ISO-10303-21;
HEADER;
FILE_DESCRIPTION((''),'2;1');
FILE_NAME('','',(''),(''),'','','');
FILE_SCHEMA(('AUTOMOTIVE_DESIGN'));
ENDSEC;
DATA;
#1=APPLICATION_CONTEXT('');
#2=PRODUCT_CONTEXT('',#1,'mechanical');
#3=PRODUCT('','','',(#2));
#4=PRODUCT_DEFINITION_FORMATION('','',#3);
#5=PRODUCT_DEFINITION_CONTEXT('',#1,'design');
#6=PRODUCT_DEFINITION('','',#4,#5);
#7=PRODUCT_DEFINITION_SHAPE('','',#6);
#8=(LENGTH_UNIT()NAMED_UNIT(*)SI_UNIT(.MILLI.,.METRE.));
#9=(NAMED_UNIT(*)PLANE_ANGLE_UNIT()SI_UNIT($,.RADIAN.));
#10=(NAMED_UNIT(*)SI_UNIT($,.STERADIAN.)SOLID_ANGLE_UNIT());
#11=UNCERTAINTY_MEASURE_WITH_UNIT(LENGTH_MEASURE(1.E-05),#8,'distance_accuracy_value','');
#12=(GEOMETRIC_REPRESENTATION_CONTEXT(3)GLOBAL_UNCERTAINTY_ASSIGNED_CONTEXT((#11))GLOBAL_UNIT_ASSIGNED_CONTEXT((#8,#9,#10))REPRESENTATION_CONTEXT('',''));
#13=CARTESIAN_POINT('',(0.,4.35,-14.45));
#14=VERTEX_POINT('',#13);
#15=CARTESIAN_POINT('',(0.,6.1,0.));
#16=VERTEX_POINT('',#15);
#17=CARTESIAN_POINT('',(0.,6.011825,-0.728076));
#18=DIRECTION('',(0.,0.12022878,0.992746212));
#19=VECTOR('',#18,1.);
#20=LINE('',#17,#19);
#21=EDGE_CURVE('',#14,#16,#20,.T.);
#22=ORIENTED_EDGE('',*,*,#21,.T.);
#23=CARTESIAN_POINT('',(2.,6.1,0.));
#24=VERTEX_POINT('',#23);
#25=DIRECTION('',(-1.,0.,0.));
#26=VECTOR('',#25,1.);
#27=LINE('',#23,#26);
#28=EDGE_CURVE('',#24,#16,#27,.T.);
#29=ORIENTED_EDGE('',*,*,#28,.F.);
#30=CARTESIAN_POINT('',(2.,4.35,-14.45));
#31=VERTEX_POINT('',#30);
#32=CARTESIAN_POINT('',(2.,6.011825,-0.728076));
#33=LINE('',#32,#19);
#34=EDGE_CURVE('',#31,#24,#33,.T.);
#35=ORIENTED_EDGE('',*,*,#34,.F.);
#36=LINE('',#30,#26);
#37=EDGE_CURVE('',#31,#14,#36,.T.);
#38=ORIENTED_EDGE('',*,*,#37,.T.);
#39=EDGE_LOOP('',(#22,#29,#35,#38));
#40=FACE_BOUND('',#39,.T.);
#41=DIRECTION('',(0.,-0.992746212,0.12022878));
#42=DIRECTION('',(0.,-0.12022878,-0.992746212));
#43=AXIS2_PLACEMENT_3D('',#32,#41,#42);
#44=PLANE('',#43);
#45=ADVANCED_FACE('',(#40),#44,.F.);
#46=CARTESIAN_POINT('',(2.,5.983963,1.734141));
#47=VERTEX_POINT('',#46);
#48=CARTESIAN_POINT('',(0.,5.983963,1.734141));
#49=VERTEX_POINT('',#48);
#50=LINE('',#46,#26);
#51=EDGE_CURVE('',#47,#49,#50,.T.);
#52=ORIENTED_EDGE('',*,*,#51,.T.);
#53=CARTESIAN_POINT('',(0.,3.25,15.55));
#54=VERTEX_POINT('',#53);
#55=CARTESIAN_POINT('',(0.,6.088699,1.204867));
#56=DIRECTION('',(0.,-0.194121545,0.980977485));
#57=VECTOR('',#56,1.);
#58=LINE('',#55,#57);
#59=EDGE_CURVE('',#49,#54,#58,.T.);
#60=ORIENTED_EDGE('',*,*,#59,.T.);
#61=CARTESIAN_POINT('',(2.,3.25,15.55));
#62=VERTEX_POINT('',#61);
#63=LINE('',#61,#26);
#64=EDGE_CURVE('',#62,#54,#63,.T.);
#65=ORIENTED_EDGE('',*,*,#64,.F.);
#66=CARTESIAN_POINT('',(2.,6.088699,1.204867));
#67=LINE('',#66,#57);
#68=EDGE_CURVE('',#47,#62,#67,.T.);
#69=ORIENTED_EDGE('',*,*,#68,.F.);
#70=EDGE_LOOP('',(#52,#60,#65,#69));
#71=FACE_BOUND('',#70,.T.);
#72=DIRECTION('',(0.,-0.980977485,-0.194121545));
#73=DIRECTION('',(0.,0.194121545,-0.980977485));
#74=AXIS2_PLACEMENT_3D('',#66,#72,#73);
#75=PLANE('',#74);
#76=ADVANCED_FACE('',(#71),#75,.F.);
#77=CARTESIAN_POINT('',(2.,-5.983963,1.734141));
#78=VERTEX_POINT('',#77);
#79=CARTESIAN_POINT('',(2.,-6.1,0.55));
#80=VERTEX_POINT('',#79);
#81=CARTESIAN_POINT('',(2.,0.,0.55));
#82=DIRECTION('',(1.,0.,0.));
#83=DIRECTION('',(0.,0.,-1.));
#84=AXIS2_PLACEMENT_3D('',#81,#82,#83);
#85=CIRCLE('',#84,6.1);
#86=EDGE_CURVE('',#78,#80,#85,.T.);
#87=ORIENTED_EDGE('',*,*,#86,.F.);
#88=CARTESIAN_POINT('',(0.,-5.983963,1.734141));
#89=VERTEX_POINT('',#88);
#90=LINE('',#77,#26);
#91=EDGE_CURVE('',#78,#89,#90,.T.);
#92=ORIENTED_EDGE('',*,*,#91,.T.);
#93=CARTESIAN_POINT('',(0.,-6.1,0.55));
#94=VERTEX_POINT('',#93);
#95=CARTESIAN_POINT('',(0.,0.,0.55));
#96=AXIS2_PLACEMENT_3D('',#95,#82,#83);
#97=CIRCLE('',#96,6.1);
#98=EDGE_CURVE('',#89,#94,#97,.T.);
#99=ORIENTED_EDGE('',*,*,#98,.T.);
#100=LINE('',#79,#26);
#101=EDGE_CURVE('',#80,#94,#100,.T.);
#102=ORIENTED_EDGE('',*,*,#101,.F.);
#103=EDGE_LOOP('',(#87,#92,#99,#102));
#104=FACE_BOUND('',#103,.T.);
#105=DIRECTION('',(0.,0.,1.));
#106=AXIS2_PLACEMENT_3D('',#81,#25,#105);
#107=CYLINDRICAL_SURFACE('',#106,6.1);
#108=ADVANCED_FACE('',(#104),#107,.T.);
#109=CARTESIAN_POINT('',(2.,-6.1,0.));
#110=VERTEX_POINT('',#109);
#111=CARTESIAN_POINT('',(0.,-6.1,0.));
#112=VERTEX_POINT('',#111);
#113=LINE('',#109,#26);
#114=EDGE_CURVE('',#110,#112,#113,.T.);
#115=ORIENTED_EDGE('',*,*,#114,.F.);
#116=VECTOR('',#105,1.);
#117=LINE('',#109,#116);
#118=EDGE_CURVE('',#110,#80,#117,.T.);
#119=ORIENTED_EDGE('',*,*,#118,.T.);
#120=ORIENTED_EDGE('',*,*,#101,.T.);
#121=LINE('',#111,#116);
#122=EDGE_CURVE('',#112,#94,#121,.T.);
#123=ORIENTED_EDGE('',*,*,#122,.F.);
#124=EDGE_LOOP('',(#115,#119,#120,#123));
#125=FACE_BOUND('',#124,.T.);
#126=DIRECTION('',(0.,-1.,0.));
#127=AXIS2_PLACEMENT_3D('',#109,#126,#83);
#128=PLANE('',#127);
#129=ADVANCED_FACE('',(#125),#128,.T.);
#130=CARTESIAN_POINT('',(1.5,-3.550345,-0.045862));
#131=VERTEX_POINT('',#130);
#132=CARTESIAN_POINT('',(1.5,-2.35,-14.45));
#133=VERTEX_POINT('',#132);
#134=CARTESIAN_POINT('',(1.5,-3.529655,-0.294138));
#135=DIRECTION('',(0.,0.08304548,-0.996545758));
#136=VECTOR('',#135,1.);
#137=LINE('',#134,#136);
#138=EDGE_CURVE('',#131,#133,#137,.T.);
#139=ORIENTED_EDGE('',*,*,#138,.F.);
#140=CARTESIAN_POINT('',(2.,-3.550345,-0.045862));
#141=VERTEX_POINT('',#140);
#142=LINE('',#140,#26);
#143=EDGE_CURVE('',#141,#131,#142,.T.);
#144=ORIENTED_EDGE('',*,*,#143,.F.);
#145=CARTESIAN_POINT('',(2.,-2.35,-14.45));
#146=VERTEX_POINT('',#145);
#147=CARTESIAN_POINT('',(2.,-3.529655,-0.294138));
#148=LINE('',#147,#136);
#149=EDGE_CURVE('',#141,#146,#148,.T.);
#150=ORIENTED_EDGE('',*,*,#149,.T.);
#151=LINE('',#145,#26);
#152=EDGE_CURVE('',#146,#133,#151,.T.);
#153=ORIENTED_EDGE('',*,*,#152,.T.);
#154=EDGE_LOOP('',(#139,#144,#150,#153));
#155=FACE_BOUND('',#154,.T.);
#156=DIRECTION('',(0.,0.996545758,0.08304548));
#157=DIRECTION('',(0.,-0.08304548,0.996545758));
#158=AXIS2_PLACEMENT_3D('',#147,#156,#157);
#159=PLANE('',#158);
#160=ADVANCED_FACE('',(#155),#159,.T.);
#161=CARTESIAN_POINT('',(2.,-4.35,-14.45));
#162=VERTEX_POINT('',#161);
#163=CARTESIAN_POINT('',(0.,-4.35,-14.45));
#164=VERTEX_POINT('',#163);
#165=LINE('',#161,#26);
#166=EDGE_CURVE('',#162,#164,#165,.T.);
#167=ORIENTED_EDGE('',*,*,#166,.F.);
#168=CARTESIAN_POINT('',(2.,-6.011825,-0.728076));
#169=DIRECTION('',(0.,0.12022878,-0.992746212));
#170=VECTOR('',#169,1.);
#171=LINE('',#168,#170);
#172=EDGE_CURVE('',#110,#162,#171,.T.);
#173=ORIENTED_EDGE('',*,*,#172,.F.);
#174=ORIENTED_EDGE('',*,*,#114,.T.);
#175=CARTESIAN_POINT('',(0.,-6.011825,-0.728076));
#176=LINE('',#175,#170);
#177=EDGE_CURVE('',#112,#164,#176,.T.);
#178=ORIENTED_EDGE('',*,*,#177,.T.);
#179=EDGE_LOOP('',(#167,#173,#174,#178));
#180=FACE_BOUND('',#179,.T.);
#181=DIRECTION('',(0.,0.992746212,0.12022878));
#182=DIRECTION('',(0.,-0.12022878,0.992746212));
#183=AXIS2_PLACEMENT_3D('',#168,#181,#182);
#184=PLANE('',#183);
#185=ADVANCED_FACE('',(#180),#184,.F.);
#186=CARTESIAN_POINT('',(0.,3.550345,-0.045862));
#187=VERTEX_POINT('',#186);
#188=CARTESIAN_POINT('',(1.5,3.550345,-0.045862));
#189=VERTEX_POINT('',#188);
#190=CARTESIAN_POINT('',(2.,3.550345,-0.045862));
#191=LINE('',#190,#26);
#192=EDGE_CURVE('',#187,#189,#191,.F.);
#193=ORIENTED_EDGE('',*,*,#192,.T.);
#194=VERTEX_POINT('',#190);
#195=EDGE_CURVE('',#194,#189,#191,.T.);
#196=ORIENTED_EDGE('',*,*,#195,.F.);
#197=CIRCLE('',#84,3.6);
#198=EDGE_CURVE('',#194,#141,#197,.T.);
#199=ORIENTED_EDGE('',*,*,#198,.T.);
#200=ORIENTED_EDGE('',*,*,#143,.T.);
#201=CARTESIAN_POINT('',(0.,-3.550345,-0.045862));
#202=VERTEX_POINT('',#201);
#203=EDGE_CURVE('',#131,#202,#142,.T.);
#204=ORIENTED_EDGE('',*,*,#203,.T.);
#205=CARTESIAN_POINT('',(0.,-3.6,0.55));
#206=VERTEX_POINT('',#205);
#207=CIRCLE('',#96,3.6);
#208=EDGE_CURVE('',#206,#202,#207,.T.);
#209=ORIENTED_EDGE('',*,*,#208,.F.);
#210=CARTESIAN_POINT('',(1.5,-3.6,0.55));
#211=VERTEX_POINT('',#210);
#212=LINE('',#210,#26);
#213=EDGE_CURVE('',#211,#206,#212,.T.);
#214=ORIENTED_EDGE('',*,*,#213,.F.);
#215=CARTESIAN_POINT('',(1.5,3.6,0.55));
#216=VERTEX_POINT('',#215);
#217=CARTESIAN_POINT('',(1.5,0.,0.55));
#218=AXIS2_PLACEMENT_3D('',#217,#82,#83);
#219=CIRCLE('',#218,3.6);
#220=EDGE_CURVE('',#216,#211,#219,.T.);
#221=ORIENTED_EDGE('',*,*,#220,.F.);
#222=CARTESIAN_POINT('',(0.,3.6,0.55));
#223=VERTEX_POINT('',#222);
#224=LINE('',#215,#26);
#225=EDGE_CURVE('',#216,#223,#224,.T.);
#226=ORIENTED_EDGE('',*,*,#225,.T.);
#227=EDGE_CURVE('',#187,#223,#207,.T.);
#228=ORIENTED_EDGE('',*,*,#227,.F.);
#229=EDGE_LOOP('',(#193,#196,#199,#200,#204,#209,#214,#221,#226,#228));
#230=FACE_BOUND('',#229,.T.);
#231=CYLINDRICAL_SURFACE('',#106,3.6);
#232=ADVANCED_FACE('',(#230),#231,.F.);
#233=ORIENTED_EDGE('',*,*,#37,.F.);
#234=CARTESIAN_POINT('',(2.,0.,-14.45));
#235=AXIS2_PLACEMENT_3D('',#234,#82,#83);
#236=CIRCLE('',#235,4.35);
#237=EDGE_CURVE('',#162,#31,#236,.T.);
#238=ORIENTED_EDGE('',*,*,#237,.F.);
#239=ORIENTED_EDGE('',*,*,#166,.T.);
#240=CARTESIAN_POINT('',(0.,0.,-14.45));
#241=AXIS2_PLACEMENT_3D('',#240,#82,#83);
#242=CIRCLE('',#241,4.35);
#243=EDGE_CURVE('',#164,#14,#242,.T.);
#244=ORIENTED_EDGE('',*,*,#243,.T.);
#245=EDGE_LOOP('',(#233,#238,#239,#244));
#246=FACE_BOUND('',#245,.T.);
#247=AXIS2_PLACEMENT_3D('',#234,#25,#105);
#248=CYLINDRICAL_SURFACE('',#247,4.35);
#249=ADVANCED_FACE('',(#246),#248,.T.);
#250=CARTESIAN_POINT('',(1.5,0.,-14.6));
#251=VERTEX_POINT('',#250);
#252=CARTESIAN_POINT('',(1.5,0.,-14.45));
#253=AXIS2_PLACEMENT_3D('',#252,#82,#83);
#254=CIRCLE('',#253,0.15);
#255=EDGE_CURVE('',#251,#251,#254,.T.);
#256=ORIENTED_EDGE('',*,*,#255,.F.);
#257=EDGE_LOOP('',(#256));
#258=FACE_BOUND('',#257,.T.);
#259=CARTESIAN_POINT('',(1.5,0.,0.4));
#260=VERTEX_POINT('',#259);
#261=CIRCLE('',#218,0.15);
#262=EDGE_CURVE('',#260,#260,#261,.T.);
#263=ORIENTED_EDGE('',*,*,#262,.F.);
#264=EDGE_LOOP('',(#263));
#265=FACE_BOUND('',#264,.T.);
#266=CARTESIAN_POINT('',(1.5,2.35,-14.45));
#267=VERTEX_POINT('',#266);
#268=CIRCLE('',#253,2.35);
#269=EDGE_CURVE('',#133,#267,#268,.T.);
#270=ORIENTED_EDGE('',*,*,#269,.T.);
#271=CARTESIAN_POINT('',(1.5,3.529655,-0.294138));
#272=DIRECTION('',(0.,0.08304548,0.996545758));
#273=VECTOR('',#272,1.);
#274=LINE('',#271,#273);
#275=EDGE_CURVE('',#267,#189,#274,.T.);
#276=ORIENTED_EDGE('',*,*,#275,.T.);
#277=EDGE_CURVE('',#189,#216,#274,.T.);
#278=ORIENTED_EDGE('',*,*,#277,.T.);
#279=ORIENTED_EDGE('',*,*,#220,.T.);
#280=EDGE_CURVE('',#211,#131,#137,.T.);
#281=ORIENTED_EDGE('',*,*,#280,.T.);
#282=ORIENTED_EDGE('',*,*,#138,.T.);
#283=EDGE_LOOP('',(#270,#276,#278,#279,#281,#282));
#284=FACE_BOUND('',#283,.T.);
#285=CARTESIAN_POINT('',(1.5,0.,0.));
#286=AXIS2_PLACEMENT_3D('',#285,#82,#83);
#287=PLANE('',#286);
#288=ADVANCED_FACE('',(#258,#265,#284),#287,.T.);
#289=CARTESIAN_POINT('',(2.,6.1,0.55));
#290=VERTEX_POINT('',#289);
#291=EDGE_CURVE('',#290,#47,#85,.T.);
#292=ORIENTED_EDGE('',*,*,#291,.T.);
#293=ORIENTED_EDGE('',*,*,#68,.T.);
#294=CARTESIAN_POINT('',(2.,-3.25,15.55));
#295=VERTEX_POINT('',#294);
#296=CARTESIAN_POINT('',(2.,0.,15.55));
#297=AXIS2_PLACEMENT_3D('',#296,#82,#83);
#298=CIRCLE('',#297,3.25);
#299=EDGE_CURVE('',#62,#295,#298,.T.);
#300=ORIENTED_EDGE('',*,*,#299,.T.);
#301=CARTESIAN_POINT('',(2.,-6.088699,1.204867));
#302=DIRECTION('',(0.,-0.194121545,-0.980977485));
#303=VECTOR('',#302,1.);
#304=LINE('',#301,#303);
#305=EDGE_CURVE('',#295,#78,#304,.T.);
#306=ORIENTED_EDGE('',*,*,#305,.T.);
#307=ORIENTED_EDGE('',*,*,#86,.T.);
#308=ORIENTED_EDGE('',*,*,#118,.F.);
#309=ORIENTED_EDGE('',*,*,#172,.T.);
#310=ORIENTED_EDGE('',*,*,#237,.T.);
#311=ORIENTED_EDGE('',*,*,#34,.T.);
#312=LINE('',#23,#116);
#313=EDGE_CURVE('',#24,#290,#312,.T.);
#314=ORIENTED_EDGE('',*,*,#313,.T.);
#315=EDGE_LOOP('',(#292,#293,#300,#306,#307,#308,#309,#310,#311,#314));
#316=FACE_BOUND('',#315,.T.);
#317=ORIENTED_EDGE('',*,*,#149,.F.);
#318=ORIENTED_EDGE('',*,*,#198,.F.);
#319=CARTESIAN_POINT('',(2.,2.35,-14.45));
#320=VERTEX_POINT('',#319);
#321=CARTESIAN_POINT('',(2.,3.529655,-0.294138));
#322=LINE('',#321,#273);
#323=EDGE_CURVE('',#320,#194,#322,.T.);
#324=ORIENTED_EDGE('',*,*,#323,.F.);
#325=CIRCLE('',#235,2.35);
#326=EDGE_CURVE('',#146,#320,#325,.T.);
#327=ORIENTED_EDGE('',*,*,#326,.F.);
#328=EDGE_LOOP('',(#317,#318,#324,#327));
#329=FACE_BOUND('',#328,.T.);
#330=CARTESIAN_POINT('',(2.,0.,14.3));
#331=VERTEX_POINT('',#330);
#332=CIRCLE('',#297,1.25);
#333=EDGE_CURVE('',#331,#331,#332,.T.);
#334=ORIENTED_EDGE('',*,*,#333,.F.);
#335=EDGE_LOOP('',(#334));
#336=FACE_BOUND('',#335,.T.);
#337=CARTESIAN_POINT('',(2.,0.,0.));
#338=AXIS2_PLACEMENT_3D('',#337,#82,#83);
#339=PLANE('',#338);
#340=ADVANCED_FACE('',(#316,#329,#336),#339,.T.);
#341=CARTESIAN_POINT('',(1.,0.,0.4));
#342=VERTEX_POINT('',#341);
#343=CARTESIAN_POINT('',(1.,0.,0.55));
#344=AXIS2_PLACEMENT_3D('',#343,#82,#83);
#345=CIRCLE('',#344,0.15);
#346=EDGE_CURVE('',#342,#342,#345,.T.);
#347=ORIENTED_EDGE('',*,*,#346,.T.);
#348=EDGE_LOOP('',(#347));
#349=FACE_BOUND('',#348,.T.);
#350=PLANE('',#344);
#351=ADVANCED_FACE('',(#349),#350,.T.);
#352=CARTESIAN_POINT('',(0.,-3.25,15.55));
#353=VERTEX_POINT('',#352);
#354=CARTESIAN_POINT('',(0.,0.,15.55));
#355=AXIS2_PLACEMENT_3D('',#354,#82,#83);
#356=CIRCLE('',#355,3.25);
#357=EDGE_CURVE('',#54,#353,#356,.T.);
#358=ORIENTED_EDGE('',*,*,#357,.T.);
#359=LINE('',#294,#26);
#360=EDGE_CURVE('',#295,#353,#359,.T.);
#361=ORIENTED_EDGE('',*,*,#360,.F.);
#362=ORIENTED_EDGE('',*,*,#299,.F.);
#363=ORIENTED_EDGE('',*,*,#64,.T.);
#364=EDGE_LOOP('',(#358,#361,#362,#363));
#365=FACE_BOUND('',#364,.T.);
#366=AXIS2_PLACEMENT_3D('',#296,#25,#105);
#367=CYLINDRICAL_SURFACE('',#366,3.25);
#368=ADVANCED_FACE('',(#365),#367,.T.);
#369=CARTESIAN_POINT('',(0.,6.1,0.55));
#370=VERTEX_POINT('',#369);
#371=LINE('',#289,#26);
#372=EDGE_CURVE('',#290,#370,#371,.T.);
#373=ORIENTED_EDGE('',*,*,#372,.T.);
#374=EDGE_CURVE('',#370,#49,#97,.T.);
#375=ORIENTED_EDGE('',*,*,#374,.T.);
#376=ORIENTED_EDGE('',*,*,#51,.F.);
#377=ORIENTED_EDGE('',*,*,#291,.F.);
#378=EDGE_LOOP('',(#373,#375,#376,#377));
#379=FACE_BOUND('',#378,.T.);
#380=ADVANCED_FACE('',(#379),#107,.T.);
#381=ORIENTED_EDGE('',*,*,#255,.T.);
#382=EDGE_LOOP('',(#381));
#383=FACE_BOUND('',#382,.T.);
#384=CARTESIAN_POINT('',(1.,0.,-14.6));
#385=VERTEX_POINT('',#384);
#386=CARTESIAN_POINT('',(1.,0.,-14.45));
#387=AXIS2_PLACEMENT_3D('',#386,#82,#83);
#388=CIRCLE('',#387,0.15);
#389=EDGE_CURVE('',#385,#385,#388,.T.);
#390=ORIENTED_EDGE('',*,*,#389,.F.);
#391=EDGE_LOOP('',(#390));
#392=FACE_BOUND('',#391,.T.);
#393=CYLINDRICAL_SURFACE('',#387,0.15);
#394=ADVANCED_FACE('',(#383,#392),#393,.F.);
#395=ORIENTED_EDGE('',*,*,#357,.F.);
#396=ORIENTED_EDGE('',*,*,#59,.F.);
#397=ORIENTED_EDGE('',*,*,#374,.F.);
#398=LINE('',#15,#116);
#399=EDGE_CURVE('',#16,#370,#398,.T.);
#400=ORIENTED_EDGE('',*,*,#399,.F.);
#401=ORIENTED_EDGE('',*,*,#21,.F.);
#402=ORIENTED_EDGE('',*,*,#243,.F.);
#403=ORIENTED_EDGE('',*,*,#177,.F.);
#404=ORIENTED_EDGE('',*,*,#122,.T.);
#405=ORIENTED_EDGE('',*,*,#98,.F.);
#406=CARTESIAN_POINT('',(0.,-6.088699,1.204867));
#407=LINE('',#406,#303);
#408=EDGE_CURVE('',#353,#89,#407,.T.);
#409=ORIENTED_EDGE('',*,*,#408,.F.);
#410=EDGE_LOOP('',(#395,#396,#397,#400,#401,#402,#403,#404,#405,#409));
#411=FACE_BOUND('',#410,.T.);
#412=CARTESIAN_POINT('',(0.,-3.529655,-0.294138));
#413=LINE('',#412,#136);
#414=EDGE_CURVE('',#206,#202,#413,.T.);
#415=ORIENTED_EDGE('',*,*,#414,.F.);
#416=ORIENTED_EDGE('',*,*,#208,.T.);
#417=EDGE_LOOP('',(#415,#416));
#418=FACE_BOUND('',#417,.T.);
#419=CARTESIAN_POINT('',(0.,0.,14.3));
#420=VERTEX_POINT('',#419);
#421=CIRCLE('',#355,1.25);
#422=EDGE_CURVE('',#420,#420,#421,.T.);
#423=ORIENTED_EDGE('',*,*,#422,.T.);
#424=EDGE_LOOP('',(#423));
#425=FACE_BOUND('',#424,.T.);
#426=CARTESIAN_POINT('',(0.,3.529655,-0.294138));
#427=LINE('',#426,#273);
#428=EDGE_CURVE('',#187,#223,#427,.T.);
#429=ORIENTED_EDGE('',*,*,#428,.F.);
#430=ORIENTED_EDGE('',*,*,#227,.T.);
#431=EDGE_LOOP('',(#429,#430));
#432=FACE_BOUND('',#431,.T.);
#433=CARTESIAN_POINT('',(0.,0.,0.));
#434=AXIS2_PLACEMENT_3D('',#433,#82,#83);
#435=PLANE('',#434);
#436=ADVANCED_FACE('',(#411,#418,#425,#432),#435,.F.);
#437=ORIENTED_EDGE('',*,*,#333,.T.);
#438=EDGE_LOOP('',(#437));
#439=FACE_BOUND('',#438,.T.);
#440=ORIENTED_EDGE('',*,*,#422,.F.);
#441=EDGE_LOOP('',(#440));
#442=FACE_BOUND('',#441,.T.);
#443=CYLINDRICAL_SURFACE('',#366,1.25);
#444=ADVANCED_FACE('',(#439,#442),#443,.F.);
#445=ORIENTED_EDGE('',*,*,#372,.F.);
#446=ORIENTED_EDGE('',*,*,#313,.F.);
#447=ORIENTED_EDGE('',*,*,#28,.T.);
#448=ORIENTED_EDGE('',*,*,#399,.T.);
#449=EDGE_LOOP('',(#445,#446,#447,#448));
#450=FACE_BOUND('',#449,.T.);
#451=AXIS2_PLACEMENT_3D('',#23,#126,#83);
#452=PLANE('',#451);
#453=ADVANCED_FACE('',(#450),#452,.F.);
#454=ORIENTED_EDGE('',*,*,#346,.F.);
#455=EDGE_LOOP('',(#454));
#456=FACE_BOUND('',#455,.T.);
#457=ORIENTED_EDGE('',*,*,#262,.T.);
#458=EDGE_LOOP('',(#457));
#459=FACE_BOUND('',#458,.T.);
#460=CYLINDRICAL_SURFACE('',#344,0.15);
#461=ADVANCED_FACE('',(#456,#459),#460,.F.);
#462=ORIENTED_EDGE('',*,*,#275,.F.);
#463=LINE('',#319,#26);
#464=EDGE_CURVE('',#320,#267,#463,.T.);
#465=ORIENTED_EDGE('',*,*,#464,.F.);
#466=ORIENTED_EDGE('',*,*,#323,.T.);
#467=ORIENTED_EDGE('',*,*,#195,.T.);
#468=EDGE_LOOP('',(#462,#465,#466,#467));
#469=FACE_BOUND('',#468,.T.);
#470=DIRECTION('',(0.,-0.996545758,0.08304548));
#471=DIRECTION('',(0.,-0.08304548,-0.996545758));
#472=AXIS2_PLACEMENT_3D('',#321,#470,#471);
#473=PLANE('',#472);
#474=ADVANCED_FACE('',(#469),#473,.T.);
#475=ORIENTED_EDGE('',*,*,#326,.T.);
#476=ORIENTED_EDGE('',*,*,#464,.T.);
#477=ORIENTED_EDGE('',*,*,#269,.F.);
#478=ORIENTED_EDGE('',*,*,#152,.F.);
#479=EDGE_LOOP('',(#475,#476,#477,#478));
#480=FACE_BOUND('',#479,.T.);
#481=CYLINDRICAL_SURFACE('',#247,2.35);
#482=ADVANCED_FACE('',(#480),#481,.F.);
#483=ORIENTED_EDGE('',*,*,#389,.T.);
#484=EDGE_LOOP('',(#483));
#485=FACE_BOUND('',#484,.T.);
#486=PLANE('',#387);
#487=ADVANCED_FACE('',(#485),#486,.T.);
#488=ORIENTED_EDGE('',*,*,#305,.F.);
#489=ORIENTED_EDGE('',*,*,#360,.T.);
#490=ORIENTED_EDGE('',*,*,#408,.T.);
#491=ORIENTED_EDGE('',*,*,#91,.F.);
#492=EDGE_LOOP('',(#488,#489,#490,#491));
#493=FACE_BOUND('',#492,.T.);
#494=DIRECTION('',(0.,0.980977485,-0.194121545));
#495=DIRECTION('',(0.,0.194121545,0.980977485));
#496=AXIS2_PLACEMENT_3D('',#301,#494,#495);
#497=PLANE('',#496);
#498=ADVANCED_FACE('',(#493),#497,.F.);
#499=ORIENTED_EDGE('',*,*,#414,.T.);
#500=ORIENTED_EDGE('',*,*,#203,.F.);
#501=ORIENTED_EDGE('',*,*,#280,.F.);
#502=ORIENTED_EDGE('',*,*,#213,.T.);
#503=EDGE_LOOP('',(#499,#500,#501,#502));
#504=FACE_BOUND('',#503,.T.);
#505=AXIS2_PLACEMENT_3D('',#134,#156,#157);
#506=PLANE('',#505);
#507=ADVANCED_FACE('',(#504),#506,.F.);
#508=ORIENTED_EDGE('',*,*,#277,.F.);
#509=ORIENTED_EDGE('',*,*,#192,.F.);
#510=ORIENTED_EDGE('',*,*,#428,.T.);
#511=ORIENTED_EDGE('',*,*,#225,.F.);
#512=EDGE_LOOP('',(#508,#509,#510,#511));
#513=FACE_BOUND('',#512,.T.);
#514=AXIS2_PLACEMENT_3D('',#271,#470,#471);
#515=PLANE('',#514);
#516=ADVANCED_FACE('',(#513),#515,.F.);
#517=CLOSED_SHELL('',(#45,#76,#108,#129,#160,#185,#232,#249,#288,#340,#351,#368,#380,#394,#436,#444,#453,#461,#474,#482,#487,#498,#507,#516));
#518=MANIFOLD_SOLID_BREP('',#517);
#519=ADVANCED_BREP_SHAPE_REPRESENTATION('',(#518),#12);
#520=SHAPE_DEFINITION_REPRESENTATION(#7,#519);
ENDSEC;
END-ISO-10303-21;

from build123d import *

# Parameters (mm, degrees)
SKETCH2_R           = 1.25
BOSS_EXTRUDE1_DEPTH = 2
BOSS_EXTRUDE2_DEPTH = 1.5
SKETCH3_R           = 0.15
CUT_EXTRUDE1_DEPTH  = 0.5


with BuildPart() as part:
    # Sketch2 → Boss-Extrude1 (new body)
    with BuildSketch(Plane.YZ):
        with BuildLine():
            ThreePointArc((-4.35, -14.45), (-3.075914484, -17.525914513), (4.1e-08, -18.8))
            ThreePointArc((4.1e-08, -18.8), (3.075914513, -17.525914484), (4.35, -14.45))
            Line((4.35, -14.45), (6.1, 0))
            Line((6.1, 0), (6.1, 0.55))
            ThreePointArc((6.1, 0.55), (6.070921356, 1.144906627), (5.983962658, 1.734141424))
            Line((5.983962658, 1.734141424), (3.25, 15.55))
            ThreePointArc((3.25, 15.55), (2.298097039, 17.848097039), (0, 18.8))
            ThreePointArc((0, 18.8), (-2.298097039, 17.848097039), (-3.25, 15.55))
            Line((-3.25, 15.55), (-5.983962658, 1.734141424))
            ThreePointArc((-5.983962658, 1.734141424), (-6.070921356, 1.144906627), (-6.1, 0.55))
            Line((-6.1, 0.55), (-6.1, 0))
            Line((-6.1, 0), (-4.35, -14.45))
        make_face()
        with BuildLine():
            Line((3.550344828, -0.045862069), (2.35, -14.45))
            ThreePointArc((2.35, -14.45), (0, -16.8), (-2.35, -14.45))
            Line((-2.35, -14.45), (-3.550344828, -0.045862069))
            ThreePointArc((-3.550344828, -0.045862069), (-3.58756473, 0.251036273), (-3.6, 0.55))
            ThreePointArc((-3.6, 0.55), (0, 4.15), (3.6, 0.55))
            ThreePointArc((3.6, 0.55), (3.58756473, 0.251036273), (3.550344828, -0.045862069))
        make_face(mode=Mode.SUBTRACT)
        with Locations((0, 15.55)):
            Circle(SKETCH2_R, mode=Mode.SUBTRACT)
    extrude(amount=BOSS_EXTRUDE1_DEPTH)

    # Sketch2<3> → Boss-Extrude2 (add)
    with BuildSketch(Plane.YZ):
        with BuildLine():
            ThreePointArc((-2.35, -14.45), (0, -16.8), (2.35, -14.45))
            Line((2.35, -14.45), (3.550344828, -0.045862069))
            Line((3.550344828, -0.045862069), (3.6, 0.55))
            ThreePointArc((3.6, 0.55), (0, 4.15), (-3.6, 0.55))
            Line((-3.6, 0.55), (-3.550344828, -0.045862069))
            Line((-3.550344828, -0.045862069), (-2.35, -14.45))
        make_face()
    extrude(amount=BOSS_EXTRUDE2_DEPTH)

    # Sketch3 → Cut-Extrude1 (cut)
    with BuildSketch(Plane.YZ.offset(1.5)):
        with Locations((0, 0.55)):
            Circle(SKETCH3_R)
        with Locations((0, -14.45)):
            Circle(SKETCH3_R)
    extrude(amount=-CUT_EXTRUDE1_DEPTH, mode=Mode.SUBTRACT)


solid = part.part
